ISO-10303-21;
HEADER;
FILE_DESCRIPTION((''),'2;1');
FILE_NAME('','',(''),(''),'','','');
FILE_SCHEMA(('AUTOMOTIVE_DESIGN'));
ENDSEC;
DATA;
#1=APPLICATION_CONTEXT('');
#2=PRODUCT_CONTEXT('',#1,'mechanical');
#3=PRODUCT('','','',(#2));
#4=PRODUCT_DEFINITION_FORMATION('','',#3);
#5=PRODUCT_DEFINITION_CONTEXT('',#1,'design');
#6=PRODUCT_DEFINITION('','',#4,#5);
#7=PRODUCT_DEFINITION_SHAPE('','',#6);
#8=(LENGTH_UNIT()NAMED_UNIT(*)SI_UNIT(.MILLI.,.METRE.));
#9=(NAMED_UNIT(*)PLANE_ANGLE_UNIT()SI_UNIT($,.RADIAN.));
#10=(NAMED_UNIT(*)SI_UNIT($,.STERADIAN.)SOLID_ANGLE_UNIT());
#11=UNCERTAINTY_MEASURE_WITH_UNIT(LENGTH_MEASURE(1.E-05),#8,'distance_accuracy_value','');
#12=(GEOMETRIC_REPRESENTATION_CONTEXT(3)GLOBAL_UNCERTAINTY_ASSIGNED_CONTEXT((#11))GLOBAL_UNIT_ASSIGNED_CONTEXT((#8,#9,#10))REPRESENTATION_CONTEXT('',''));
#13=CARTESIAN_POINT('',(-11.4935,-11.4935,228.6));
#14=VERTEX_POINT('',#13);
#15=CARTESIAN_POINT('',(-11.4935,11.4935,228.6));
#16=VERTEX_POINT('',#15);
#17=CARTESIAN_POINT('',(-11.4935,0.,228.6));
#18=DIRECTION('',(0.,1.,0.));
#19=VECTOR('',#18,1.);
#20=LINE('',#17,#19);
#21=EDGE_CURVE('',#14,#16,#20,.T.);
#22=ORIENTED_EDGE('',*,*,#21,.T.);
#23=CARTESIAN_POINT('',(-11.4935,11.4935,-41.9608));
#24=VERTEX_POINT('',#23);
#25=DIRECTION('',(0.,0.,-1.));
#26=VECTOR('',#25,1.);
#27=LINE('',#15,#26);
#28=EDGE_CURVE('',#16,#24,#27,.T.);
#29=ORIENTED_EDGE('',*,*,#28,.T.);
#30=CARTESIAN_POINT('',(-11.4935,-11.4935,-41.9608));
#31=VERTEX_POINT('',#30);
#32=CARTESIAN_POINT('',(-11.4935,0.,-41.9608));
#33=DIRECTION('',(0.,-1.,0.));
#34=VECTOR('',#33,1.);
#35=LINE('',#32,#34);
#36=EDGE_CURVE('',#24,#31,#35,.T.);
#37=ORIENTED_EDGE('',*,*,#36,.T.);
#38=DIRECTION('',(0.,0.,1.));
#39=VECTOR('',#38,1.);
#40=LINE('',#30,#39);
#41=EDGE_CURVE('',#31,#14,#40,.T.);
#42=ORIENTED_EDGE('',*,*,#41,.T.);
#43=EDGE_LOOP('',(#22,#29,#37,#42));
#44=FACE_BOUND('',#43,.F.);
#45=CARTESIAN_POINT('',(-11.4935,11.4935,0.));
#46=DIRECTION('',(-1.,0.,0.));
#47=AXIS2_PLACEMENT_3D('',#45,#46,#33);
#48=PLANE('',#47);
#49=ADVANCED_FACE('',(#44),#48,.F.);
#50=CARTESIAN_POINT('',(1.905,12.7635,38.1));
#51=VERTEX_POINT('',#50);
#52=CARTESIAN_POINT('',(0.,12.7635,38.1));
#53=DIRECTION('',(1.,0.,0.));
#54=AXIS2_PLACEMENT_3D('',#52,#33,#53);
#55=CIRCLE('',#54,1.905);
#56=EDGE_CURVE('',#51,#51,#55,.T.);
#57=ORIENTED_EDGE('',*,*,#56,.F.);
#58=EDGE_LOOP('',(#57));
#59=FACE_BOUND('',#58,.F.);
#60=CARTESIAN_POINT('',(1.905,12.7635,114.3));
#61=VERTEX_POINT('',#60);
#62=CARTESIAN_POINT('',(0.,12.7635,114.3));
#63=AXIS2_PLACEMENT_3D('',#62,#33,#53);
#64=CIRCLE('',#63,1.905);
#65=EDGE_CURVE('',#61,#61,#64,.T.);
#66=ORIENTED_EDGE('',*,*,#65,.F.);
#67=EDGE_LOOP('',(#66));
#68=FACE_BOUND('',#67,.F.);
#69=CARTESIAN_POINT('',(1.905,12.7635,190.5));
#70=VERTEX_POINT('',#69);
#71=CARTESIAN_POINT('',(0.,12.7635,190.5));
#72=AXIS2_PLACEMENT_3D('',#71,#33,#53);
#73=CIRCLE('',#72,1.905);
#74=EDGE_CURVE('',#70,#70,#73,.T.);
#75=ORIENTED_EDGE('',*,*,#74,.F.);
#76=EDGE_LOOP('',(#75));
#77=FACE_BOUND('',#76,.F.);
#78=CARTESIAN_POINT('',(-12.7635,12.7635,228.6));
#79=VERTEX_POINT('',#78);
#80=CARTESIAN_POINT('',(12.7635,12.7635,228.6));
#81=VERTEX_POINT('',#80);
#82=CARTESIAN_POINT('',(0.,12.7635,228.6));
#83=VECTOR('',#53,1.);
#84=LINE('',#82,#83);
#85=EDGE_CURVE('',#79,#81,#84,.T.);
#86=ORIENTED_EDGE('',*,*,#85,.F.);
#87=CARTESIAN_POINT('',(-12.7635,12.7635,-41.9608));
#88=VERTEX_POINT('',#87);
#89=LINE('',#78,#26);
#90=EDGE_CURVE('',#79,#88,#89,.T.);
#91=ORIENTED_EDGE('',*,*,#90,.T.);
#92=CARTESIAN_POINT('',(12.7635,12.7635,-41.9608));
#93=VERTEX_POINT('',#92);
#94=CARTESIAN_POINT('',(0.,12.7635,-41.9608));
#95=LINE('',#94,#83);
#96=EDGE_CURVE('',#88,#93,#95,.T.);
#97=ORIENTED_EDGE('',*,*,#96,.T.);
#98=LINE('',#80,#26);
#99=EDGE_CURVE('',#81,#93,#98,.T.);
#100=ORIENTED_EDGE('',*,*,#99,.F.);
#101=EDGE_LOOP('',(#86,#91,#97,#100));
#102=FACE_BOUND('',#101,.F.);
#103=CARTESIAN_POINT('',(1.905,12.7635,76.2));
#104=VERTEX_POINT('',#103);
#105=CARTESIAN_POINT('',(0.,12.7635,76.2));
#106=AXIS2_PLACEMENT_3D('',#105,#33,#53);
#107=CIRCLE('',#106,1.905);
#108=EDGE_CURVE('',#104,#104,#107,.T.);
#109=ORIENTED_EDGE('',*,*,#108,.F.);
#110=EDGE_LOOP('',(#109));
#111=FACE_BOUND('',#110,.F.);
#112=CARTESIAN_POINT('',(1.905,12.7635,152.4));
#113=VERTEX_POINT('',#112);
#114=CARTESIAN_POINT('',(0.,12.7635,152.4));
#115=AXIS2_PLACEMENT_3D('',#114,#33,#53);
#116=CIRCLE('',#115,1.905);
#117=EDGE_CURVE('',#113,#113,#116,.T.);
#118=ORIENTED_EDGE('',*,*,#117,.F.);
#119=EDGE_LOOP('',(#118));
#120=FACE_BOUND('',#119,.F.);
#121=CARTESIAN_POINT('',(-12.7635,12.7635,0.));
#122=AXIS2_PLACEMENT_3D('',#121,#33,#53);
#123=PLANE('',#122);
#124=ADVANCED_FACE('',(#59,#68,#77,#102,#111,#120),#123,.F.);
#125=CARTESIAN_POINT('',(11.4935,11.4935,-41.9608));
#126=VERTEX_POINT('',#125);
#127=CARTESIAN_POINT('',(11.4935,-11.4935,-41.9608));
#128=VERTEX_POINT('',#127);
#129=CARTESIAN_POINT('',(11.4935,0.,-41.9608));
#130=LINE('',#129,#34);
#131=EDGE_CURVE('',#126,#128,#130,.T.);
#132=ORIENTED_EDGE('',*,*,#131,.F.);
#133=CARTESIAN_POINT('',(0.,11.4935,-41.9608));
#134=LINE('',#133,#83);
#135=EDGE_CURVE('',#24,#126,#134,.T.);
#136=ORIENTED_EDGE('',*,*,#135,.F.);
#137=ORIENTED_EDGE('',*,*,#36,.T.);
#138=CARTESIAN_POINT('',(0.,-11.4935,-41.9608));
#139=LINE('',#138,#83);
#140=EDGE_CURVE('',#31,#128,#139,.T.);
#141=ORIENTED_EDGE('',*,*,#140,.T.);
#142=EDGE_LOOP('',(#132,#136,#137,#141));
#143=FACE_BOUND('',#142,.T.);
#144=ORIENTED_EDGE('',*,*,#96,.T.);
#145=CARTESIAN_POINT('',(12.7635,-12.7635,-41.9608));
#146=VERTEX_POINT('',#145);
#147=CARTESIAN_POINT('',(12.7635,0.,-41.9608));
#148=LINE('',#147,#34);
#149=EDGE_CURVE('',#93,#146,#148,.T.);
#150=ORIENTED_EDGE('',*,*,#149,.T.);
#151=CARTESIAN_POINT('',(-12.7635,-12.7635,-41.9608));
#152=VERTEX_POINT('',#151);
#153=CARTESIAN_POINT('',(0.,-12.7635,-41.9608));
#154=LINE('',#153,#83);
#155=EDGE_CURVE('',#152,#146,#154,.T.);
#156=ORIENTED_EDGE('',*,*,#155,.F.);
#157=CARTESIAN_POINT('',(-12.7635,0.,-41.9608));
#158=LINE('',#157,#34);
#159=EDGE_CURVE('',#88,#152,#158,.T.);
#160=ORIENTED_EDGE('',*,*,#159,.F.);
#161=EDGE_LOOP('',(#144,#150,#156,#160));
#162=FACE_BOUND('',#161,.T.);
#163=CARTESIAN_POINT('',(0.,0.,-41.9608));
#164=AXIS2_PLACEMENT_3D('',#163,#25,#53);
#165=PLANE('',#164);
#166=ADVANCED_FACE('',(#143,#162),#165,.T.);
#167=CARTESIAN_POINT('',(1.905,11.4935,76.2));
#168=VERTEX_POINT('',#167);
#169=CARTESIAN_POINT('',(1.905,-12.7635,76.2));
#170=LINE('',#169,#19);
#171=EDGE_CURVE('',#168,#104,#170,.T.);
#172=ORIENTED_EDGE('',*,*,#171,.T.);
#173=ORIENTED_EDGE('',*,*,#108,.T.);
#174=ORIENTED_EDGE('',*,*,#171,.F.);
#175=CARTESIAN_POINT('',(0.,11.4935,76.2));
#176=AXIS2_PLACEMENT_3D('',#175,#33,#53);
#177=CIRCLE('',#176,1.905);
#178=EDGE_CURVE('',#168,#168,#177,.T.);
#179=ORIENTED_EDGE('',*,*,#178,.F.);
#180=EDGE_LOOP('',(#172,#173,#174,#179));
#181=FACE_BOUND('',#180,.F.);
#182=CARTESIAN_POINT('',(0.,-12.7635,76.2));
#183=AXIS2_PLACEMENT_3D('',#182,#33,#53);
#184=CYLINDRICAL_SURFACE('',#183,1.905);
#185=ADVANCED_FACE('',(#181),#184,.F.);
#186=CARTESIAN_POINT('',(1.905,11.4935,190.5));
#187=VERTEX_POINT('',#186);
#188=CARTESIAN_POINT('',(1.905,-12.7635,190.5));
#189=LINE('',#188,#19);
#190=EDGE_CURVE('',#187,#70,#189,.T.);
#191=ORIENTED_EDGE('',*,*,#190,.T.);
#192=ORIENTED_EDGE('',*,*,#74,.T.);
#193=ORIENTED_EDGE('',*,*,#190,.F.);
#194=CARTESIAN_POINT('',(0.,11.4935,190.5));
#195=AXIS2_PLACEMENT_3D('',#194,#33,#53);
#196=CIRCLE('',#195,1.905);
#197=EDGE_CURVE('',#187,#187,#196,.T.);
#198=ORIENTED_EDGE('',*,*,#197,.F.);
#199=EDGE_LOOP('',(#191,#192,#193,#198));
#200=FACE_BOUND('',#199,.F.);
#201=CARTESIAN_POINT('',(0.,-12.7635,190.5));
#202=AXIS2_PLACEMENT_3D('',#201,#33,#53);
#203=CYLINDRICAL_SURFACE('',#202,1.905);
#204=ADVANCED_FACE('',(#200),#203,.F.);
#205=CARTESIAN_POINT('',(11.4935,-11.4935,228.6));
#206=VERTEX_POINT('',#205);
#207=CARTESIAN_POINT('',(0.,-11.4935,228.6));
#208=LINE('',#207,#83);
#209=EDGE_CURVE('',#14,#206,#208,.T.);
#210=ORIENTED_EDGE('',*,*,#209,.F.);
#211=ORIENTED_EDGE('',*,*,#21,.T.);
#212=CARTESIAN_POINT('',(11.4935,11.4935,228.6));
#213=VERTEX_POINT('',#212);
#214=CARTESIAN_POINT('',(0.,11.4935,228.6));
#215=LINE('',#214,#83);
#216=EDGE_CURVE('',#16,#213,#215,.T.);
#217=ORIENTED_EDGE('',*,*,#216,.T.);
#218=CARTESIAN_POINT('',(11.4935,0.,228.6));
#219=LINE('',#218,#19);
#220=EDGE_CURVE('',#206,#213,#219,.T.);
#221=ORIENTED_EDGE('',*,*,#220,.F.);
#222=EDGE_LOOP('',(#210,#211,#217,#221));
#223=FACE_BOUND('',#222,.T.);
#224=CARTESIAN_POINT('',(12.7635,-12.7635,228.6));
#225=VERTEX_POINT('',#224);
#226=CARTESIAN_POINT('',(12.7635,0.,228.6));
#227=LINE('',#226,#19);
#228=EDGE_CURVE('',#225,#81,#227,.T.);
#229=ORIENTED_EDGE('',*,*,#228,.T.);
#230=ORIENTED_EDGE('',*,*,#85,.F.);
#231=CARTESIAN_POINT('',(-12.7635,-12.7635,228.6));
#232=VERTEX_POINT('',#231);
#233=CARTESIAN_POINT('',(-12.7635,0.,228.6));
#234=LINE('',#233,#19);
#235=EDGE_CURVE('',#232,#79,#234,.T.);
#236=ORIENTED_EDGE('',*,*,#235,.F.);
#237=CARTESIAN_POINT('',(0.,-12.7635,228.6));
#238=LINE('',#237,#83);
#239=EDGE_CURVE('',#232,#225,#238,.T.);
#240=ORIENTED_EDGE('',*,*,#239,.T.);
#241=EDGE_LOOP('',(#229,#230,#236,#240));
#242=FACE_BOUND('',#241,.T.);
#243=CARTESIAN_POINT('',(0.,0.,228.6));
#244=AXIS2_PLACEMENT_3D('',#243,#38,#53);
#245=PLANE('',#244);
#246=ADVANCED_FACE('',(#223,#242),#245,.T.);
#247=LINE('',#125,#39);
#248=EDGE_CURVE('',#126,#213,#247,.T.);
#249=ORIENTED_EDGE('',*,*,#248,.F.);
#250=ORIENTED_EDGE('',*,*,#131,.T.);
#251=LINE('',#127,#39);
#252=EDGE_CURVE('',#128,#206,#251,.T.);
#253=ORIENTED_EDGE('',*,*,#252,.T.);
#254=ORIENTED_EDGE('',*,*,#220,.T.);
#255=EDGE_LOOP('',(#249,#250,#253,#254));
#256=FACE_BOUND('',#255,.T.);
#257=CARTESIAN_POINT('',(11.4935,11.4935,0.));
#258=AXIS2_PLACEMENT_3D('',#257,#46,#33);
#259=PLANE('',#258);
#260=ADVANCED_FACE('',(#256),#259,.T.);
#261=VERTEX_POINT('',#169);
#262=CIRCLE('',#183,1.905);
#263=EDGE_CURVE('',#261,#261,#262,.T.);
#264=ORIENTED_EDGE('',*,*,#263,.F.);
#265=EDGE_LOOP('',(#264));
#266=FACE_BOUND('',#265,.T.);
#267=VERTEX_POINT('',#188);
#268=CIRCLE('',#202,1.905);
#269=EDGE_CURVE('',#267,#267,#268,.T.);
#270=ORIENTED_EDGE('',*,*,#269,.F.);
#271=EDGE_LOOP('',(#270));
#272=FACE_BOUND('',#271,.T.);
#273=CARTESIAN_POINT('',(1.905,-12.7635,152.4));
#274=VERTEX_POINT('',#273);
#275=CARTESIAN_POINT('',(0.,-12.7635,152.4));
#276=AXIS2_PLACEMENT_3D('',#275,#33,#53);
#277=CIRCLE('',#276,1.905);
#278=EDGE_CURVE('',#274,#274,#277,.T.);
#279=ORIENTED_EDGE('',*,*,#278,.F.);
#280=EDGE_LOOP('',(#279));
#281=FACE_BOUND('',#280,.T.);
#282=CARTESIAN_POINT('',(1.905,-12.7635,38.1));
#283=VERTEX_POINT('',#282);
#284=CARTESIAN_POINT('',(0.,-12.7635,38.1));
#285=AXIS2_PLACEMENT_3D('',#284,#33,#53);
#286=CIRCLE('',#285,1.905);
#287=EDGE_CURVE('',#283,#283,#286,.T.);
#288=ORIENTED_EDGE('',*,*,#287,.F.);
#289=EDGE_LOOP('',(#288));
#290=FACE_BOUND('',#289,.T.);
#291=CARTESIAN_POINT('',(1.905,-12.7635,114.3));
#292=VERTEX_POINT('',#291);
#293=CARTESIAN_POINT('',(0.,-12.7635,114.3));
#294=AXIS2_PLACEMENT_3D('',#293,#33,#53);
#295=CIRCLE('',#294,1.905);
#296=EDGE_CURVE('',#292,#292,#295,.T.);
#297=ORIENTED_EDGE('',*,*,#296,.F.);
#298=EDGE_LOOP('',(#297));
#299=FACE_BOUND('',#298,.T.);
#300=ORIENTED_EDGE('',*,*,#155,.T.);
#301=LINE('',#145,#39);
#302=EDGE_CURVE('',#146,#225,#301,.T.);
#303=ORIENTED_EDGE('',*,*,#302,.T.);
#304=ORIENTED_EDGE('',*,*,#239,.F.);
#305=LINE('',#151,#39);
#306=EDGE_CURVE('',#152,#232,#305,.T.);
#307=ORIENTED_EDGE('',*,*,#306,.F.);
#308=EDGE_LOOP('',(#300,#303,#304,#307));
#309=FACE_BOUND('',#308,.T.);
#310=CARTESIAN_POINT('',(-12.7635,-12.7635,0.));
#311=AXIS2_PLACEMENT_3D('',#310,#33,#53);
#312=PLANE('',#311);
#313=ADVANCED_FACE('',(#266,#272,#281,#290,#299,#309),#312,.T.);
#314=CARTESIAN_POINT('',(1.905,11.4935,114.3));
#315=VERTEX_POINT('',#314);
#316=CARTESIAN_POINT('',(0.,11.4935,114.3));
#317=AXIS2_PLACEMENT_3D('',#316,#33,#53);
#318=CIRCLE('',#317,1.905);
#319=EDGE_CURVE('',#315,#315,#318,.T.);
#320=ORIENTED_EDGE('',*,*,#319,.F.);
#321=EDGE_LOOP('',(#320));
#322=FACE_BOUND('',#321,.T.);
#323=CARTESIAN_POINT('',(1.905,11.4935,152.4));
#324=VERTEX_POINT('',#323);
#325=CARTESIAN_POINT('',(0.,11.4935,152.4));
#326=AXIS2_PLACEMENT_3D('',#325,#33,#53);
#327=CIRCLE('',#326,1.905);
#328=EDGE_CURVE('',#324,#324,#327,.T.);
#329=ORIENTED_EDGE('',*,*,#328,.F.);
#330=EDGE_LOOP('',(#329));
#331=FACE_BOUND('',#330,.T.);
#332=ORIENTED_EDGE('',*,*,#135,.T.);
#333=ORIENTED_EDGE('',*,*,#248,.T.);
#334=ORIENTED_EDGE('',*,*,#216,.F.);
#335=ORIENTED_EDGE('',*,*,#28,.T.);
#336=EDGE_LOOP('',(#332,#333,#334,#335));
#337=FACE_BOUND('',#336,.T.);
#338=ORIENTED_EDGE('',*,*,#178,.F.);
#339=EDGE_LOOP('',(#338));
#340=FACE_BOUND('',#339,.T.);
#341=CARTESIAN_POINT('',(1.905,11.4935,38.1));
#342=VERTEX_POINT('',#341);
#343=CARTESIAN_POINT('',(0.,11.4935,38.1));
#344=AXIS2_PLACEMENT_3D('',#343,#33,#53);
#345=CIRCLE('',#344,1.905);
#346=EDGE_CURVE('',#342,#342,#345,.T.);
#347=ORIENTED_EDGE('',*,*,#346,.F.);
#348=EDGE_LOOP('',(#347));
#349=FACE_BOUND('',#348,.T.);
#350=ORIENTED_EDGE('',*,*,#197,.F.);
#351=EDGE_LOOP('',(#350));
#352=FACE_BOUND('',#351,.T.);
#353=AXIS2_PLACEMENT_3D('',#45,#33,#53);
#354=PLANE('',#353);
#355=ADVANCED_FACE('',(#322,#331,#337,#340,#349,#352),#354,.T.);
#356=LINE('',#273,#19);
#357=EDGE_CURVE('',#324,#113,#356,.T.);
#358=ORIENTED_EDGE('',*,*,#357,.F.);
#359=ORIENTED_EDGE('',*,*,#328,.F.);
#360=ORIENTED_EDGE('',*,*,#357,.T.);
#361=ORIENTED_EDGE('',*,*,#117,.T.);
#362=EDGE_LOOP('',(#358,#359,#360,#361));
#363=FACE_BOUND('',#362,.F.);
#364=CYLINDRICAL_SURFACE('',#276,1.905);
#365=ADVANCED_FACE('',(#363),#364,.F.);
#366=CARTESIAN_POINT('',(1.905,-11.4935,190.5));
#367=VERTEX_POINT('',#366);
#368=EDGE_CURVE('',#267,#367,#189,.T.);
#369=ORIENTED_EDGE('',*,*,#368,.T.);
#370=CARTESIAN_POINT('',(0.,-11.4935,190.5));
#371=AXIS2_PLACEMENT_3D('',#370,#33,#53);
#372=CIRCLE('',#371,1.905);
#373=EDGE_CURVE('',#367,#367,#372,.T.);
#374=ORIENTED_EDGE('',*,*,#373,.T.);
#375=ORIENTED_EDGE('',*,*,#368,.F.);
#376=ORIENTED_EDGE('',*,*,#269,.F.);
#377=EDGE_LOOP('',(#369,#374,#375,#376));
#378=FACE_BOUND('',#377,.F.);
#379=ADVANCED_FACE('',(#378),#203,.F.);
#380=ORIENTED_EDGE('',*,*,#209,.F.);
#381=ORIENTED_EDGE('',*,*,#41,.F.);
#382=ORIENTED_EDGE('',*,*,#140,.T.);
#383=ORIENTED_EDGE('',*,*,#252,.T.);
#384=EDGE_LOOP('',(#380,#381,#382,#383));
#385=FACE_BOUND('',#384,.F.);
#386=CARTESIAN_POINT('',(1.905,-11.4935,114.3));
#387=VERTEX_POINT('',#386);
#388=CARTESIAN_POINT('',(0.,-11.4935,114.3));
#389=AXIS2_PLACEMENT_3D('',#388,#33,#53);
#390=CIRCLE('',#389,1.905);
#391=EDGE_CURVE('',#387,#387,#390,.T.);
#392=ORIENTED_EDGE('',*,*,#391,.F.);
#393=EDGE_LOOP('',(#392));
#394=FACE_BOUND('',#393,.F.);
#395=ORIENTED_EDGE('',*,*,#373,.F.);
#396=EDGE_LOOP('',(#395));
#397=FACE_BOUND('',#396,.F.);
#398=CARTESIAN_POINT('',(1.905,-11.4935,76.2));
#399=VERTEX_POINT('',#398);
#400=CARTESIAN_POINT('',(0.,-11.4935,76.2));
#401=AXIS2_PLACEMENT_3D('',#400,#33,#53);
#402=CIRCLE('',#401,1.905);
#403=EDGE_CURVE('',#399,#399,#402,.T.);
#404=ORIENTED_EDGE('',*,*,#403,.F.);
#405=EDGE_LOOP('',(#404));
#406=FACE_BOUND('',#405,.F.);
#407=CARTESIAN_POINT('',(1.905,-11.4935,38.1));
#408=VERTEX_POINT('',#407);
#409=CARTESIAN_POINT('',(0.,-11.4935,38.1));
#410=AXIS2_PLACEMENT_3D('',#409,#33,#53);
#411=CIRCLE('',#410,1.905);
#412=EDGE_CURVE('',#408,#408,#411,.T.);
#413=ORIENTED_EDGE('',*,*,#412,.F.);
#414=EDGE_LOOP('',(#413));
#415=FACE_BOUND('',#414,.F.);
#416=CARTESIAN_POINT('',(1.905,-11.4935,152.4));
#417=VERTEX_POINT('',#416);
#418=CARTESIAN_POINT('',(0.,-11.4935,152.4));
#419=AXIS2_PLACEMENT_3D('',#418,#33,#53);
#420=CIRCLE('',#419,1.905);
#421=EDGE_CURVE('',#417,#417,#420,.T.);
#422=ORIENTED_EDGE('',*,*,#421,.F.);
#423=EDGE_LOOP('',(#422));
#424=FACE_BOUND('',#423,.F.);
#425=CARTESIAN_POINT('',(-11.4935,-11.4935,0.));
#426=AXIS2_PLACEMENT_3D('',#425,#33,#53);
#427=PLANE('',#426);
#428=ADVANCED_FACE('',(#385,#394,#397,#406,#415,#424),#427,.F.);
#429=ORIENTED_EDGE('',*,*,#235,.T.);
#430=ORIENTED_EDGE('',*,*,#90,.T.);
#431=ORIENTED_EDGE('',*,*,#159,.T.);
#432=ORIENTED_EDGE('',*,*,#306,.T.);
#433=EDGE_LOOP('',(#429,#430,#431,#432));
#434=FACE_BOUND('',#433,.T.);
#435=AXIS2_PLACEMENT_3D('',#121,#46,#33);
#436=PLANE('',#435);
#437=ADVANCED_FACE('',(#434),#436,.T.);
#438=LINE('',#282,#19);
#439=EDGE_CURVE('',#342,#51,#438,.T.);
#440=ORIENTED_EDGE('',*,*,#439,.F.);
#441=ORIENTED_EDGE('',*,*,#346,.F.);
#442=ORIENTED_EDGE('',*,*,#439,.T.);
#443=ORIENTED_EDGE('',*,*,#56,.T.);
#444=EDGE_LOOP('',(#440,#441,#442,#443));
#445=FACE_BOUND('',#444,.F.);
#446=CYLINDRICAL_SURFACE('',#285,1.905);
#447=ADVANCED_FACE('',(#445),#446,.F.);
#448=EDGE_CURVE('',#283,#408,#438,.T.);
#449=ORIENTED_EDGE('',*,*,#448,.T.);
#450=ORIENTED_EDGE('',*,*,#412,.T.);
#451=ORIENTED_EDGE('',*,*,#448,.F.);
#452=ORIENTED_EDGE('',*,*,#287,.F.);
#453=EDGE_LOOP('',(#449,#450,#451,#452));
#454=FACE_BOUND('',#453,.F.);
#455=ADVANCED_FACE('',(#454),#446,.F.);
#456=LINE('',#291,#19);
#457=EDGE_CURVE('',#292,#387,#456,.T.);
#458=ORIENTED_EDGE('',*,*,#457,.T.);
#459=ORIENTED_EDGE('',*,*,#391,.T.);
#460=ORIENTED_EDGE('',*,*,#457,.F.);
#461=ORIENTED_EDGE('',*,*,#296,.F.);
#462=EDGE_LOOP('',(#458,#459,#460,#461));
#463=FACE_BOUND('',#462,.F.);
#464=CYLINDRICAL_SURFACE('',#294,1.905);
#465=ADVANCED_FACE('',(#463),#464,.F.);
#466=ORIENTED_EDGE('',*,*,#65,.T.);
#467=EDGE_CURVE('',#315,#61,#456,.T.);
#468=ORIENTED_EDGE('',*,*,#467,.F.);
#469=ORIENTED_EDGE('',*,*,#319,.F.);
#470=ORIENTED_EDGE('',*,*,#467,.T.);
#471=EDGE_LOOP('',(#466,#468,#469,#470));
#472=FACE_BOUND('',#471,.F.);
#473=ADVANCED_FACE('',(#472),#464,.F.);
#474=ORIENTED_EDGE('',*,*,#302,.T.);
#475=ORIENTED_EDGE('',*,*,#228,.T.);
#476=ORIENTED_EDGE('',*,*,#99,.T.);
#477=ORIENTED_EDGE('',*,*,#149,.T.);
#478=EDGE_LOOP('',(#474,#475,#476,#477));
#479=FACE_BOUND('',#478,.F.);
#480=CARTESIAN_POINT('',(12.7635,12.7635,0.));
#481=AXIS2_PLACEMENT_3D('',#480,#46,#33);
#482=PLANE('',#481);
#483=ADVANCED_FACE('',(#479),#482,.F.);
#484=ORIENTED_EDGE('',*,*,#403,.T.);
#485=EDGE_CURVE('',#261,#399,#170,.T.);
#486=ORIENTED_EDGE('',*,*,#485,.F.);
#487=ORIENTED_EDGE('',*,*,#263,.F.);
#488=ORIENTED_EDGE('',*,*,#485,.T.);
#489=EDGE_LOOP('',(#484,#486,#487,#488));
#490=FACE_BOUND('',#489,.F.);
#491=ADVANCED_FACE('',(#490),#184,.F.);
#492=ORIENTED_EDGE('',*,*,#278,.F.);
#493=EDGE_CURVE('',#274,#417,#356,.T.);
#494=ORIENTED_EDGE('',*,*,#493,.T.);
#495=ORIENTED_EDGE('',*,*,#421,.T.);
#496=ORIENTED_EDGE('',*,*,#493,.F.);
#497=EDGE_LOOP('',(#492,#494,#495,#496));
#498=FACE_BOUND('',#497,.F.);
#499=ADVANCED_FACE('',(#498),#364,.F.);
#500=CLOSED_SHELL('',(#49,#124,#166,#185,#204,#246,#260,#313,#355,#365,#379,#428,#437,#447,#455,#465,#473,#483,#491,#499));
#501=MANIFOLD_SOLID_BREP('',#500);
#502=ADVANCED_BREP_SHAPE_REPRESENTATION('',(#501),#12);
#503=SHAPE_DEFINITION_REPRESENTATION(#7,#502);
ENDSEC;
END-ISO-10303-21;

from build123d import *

# Parameters (mm, degrees)
F0_W     = 25.527
F0_H     = 25.527
F0_W_2   = 22.987
F0_H_2   = 22.987
F1_DEPTH = 228.6
F2_R     = 1.905
F3_DEPTH = 25.528
F4_W     = 25.527
F4_H     = 25.527
F4_W_2   = 22.987
F4_H_2   = 22.987
F5_DEPTH = 41.9608


with BuildPart() as f1:
    # F0 (on Top) → F1 (new body)
    with BuildSketch(Plane.XY):
        Rectangle(F0_W, F0_H)
        Rectangle(F0_W_2, F0_H_2, mode=Mode.SUBTRACT)
    extrude(amount=F1_DEPTH)

    # F2 (on face) → F3 (cut, through all)
    with BuildSketch(Plane.XZ.offset(12.7635)):
        with Locations((0, 38.1)):
            Circle(F2_R)
        with Locations((0, 76.2)):
            Circle(F2_R)
        with Locations((0, 114.3)):
            Circle(F2_R)
        with Locations((0, 152.4)):
            Circle(F2_R)
        with Locations((0, 190.5)):
            Circle(F2_R)
    extrude(amount=-F3_DEPTH, mode=Mode.SUBTRACT)

    # F4 (on face) → F5 (join)
    with BuildSketch(Plane(origin=(0, 0, 0), x_dir=(1, 0, 0), z_dir=(0, 0, -1))):
        Rectangle(F4_W, F4_H)
        Rectangle(F4_W_2, F4_H_2, mode=Mode.SUBTRACT)
    extrude(amount=F5_DEPTH)


solid = f1.part
